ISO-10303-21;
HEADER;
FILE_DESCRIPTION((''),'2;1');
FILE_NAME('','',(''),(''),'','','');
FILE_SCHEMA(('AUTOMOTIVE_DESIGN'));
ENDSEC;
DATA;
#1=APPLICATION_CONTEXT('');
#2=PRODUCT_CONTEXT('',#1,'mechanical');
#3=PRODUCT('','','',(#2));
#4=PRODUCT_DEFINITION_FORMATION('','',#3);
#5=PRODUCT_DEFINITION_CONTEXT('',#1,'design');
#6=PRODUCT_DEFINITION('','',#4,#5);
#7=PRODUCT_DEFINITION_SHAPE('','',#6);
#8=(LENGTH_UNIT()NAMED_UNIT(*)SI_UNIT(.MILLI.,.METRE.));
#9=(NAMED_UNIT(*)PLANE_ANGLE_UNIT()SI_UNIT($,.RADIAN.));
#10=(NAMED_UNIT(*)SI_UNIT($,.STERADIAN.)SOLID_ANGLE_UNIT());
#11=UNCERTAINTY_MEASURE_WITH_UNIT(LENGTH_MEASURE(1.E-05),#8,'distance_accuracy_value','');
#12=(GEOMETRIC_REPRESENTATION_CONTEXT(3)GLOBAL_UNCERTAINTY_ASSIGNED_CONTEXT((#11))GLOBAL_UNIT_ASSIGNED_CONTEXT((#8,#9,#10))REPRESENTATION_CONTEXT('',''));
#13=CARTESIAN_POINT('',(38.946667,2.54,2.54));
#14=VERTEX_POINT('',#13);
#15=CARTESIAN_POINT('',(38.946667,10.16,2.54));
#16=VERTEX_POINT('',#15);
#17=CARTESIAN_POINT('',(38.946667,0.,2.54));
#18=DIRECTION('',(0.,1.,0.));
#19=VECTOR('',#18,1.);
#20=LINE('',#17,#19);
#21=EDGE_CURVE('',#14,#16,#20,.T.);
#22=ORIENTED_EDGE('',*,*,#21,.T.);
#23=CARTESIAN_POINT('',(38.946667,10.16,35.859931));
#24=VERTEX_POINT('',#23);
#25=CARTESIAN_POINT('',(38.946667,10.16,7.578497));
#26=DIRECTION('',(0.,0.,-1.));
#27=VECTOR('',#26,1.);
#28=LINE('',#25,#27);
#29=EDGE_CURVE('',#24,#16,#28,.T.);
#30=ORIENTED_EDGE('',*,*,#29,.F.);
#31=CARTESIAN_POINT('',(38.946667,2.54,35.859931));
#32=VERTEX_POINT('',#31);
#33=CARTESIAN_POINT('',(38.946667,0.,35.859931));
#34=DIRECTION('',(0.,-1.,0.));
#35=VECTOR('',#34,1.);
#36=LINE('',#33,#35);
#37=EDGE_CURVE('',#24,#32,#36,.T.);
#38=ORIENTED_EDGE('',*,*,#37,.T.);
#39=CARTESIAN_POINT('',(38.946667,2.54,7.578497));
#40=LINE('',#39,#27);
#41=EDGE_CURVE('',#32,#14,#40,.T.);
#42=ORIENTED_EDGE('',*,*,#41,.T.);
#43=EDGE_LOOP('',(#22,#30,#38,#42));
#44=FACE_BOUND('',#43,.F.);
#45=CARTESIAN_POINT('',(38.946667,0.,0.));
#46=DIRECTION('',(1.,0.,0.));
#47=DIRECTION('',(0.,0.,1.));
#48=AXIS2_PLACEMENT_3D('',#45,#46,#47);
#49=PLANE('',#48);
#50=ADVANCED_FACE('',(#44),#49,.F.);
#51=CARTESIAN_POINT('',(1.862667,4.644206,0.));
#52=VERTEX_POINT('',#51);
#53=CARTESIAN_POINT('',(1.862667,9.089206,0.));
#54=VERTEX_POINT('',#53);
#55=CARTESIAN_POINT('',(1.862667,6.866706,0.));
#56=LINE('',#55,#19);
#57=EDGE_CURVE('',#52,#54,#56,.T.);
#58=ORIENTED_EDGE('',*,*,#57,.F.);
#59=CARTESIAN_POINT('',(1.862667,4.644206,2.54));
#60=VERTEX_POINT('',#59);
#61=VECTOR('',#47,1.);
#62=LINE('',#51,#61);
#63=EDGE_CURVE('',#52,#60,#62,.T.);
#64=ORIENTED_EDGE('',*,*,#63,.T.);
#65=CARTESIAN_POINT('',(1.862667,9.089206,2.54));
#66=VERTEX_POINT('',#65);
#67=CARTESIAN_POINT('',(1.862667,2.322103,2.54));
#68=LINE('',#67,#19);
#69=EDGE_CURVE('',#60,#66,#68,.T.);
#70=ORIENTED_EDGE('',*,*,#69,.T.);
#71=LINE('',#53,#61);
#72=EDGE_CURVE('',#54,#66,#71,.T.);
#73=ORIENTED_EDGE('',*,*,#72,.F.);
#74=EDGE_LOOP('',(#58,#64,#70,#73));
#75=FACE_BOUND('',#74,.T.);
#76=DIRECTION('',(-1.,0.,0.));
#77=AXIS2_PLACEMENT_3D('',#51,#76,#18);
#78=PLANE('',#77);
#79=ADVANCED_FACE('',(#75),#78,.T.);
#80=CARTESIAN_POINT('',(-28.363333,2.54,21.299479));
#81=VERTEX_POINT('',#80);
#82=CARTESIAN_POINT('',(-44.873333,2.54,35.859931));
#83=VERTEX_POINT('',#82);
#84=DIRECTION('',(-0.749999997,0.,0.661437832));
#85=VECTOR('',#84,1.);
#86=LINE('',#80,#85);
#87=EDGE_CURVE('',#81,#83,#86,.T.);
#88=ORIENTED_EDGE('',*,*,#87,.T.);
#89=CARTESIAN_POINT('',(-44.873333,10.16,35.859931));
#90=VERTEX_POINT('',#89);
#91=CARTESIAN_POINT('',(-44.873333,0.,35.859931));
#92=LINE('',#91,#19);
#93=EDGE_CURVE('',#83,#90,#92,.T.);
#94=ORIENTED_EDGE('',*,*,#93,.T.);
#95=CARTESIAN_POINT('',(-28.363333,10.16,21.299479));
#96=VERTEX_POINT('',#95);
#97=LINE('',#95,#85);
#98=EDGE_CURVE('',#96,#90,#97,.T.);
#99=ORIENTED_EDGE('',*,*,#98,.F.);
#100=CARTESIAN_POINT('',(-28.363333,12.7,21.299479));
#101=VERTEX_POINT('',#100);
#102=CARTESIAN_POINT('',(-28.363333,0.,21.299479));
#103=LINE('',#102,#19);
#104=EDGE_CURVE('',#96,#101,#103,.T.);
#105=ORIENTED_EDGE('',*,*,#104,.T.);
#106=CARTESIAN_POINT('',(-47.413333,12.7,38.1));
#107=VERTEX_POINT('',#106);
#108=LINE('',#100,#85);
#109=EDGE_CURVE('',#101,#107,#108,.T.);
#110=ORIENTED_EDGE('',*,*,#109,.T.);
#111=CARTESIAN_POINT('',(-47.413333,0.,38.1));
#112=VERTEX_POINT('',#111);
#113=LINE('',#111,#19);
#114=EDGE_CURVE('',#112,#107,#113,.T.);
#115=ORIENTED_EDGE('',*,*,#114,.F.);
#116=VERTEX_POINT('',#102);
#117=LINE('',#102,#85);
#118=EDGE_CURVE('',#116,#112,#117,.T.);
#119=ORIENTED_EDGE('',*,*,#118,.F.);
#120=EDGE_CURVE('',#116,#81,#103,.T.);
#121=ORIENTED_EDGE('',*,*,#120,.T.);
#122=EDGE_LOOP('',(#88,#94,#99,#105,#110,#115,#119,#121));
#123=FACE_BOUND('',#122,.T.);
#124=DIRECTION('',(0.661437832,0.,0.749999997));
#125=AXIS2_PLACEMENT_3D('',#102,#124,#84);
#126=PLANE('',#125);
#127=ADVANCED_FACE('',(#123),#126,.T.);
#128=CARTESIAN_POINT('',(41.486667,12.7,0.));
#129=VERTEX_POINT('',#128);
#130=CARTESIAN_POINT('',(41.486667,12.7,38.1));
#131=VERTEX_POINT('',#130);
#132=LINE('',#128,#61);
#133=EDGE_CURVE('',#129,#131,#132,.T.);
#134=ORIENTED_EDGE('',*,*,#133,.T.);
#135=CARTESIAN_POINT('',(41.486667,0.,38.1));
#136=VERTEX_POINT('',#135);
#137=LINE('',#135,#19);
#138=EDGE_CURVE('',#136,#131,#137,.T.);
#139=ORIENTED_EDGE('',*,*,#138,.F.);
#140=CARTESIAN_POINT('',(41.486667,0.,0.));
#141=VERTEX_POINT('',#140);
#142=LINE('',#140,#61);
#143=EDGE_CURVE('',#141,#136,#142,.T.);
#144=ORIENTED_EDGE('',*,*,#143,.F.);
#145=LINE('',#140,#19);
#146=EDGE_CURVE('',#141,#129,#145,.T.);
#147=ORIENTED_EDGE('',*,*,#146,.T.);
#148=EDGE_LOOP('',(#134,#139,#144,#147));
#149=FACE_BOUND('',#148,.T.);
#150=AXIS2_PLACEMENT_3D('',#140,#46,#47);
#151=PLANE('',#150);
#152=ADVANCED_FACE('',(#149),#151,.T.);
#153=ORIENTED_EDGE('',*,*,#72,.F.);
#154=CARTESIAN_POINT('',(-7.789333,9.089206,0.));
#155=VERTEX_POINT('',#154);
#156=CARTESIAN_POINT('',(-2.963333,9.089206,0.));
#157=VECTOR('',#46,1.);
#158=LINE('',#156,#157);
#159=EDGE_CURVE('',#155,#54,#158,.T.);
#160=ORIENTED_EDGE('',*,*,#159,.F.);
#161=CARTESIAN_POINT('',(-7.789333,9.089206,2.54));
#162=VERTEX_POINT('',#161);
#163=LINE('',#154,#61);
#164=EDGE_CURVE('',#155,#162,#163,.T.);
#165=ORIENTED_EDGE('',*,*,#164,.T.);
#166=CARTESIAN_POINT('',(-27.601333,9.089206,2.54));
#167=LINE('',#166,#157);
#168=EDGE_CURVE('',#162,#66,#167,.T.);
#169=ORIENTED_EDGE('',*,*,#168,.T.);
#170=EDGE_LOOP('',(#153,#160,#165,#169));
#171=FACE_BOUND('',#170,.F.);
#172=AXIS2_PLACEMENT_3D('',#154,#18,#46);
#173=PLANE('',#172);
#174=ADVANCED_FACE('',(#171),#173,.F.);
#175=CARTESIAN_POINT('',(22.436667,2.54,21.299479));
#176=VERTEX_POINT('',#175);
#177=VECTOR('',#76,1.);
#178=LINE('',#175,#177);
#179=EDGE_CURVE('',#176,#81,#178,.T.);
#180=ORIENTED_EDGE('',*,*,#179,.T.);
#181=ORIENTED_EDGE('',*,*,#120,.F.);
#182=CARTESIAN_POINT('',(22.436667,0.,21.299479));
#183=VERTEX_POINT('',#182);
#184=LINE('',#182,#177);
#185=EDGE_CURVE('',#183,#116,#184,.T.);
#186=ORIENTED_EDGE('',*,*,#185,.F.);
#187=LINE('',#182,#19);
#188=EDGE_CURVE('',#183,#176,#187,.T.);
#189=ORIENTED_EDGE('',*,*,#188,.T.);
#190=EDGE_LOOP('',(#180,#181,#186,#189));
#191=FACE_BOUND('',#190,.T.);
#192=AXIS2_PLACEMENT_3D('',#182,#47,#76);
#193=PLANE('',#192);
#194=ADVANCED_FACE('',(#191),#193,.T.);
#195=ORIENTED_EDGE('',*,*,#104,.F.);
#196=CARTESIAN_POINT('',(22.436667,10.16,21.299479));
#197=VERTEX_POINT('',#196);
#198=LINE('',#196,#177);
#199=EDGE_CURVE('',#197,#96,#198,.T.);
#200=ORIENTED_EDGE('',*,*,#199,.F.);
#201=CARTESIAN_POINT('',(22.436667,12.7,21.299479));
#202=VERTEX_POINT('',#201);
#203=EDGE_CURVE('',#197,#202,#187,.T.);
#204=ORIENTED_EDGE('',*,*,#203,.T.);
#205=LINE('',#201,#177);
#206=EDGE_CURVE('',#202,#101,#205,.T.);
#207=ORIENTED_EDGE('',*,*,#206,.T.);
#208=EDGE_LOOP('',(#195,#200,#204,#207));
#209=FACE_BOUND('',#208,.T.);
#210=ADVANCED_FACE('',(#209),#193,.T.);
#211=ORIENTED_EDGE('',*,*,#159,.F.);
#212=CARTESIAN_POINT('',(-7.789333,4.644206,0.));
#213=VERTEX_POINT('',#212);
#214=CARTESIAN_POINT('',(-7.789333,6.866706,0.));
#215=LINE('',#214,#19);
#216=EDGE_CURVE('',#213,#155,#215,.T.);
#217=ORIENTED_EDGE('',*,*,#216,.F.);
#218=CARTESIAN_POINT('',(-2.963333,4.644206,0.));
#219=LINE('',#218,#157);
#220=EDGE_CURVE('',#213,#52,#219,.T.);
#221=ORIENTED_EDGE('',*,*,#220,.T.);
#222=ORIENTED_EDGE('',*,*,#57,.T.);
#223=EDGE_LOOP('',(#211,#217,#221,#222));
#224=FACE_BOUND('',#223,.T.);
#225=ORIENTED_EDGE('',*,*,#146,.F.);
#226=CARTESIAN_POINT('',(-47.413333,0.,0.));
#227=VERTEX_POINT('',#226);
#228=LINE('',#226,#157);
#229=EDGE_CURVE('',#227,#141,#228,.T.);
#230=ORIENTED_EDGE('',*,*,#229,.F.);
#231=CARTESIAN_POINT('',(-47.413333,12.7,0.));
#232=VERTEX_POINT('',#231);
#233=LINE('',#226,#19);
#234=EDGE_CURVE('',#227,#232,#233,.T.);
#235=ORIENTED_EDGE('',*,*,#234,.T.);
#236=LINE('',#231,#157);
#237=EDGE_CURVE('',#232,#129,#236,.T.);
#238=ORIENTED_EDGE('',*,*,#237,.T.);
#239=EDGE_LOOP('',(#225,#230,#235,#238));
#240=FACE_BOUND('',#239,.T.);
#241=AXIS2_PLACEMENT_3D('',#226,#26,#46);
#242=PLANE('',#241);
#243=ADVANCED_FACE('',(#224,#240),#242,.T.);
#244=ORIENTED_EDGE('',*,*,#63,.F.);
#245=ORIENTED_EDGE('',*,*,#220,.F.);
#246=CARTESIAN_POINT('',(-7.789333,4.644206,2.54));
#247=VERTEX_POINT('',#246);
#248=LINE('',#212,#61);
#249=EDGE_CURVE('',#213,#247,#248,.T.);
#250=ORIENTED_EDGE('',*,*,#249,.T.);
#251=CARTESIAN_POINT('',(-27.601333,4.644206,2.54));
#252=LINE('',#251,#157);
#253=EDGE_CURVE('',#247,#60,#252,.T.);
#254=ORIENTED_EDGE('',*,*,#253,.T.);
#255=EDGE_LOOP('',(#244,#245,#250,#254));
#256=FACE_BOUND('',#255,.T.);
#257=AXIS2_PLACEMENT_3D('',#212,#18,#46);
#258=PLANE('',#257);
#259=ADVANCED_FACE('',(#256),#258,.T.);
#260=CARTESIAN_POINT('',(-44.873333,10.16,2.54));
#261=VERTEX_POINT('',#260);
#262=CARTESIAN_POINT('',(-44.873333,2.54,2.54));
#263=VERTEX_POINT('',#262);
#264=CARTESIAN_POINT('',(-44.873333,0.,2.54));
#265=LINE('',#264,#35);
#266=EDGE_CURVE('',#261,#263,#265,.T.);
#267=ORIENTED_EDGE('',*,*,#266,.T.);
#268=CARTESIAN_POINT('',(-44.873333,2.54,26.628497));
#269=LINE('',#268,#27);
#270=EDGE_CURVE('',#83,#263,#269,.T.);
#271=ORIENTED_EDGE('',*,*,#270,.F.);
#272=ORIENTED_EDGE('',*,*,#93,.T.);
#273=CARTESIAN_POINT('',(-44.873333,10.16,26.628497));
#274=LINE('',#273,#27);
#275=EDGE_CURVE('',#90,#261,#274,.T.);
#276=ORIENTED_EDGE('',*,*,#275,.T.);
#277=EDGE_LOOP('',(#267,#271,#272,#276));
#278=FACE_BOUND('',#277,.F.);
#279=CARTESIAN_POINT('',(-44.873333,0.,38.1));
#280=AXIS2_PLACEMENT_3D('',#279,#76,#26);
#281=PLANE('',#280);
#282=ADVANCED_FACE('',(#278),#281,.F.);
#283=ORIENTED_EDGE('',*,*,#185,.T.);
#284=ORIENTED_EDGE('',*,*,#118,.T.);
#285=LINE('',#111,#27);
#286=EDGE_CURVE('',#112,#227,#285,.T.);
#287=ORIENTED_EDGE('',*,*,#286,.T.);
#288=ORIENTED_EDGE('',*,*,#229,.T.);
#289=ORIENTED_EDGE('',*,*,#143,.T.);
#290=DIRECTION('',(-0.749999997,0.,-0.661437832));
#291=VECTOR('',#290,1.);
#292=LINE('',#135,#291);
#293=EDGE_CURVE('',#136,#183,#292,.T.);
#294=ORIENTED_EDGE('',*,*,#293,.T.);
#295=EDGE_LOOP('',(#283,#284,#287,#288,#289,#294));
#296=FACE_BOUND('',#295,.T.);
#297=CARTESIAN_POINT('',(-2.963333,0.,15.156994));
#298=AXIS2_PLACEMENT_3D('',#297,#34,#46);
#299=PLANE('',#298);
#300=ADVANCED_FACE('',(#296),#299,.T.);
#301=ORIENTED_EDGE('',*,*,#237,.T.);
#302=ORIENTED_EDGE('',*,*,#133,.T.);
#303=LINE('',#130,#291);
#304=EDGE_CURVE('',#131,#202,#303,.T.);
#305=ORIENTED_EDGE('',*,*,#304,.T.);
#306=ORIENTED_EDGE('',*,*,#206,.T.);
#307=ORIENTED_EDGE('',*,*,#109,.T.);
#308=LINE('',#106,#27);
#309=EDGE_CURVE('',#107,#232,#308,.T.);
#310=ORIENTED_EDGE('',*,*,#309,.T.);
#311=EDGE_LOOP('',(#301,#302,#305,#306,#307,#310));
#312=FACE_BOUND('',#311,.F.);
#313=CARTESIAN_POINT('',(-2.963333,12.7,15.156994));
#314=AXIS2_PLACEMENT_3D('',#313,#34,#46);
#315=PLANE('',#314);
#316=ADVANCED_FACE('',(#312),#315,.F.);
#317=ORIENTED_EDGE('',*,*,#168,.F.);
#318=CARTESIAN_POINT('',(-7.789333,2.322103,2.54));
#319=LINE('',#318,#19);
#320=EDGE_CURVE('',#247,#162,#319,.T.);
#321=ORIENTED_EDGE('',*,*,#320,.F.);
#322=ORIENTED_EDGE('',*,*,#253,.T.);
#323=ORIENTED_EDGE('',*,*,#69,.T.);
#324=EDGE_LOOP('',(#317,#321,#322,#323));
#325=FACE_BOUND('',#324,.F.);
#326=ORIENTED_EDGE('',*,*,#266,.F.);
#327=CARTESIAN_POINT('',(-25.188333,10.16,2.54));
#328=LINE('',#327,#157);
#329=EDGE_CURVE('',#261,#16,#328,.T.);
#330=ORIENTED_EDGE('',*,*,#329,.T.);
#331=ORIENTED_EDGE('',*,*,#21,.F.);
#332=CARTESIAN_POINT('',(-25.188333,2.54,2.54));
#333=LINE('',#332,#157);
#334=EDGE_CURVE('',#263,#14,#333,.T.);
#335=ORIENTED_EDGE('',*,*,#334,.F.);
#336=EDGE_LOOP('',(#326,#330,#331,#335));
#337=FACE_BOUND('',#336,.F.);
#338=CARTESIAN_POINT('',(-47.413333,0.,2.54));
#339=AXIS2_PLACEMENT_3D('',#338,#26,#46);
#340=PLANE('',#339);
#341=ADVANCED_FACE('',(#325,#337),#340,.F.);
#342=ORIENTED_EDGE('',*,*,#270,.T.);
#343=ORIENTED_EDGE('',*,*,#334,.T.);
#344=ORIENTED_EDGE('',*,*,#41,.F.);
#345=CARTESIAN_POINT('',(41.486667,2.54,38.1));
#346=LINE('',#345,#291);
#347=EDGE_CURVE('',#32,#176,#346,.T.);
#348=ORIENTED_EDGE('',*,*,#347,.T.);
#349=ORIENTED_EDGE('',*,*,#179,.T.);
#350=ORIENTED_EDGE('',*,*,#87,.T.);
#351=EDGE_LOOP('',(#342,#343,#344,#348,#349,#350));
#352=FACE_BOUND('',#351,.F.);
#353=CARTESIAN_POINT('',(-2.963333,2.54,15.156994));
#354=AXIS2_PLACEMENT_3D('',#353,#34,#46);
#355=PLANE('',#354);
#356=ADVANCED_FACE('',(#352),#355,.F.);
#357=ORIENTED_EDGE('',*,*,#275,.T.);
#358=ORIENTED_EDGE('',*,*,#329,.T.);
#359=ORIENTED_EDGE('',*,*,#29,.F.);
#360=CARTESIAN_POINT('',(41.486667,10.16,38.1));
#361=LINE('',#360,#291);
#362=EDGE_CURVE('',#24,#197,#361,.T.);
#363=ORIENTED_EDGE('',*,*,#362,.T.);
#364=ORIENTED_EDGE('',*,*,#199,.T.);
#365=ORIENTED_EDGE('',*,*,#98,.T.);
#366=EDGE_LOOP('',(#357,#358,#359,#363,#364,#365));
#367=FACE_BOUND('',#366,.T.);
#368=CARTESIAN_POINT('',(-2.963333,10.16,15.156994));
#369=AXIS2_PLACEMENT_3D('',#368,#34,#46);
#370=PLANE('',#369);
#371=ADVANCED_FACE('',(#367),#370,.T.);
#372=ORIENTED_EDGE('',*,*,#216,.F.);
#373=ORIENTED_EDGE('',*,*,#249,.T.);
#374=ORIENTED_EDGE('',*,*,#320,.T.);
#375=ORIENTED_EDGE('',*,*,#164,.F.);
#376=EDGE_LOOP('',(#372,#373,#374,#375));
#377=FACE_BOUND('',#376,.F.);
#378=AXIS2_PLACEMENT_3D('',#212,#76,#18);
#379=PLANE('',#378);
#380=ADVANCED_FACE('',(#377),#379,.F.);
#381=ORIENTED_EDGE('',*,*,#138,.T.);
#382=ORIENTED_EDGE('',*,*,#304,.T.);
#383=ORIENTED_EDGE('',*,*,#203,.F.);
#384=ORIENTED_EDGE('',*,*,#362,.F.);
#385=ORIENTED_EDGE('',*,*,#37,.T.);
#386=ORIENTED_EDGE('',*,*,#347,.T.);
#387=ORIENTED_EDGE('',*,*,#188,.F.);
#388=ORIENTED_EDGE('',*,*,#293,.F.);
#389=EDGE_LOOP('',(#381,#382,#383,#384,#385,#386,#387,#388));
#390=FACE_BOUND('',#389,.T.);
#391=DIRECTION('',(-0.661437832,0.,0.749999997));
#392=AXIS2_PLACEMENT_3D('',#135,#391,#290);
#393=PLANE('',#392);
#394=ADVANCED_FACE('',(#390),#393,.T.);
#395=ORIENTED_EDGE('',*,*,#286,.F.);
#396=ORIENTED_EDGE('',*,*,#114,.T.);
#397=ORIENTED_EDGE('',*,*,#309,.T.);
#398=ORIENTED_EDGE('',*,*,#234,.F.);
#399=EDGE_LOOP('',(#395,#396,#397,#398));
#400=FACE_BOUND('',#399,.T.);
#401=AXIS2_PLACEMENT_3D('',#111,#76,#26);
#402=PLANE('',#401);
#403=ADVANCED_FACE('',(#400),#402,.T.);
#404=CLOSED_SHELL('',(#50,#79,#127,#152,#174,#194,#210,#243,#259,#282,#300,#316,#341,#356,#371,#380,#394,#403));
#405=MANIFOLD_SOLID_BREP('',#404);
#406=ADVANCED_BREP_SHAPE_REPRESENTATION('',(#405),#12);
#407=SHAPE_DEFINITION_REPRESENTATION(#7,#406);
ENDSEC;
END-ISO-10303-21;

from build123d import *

# Parameters (mm, degrees)
F1_DEPTH = 12.7
F2_T     = -2.54
F3_W     = 9.652
F3_H     = 4.445
F4_DEPTH = 25.4


with BuildPart() as f1:
    # F0 (on Front) → F1 (new body)
    with BuildSketch(Plane.XZ):
        Polygon((-47.413333, 38.1), (-47.413333, 0), (41.486667, 0), (41.486667, 38.1), (22.436667, 21.299479), (-28.363333, 21.299479), align=None)
    extrude(amount=-F1_DEPTH)

    # F2
    f2_openings = [f1.faces().sort_by_distance(p)[0] for p in [
        (-2.963333, 6.35, 21.299479),
        (-37.888333, 6.35, 29.69974),
        (31.961667, 6.35, 29.69974),
    ]]
    offset(amount=F2_T, openings=f2_openings)

    # F3 (on Top) → F4 (cut)
    with BuildSketch(Plane.XY):
        with Locations((-2.963333, 6.866706)):
            Rectangle(F3_W, F3_H)
    extrude(amount=F4_DEPTH, mode=Mode.SUBTRACT)


solid = f1.part
